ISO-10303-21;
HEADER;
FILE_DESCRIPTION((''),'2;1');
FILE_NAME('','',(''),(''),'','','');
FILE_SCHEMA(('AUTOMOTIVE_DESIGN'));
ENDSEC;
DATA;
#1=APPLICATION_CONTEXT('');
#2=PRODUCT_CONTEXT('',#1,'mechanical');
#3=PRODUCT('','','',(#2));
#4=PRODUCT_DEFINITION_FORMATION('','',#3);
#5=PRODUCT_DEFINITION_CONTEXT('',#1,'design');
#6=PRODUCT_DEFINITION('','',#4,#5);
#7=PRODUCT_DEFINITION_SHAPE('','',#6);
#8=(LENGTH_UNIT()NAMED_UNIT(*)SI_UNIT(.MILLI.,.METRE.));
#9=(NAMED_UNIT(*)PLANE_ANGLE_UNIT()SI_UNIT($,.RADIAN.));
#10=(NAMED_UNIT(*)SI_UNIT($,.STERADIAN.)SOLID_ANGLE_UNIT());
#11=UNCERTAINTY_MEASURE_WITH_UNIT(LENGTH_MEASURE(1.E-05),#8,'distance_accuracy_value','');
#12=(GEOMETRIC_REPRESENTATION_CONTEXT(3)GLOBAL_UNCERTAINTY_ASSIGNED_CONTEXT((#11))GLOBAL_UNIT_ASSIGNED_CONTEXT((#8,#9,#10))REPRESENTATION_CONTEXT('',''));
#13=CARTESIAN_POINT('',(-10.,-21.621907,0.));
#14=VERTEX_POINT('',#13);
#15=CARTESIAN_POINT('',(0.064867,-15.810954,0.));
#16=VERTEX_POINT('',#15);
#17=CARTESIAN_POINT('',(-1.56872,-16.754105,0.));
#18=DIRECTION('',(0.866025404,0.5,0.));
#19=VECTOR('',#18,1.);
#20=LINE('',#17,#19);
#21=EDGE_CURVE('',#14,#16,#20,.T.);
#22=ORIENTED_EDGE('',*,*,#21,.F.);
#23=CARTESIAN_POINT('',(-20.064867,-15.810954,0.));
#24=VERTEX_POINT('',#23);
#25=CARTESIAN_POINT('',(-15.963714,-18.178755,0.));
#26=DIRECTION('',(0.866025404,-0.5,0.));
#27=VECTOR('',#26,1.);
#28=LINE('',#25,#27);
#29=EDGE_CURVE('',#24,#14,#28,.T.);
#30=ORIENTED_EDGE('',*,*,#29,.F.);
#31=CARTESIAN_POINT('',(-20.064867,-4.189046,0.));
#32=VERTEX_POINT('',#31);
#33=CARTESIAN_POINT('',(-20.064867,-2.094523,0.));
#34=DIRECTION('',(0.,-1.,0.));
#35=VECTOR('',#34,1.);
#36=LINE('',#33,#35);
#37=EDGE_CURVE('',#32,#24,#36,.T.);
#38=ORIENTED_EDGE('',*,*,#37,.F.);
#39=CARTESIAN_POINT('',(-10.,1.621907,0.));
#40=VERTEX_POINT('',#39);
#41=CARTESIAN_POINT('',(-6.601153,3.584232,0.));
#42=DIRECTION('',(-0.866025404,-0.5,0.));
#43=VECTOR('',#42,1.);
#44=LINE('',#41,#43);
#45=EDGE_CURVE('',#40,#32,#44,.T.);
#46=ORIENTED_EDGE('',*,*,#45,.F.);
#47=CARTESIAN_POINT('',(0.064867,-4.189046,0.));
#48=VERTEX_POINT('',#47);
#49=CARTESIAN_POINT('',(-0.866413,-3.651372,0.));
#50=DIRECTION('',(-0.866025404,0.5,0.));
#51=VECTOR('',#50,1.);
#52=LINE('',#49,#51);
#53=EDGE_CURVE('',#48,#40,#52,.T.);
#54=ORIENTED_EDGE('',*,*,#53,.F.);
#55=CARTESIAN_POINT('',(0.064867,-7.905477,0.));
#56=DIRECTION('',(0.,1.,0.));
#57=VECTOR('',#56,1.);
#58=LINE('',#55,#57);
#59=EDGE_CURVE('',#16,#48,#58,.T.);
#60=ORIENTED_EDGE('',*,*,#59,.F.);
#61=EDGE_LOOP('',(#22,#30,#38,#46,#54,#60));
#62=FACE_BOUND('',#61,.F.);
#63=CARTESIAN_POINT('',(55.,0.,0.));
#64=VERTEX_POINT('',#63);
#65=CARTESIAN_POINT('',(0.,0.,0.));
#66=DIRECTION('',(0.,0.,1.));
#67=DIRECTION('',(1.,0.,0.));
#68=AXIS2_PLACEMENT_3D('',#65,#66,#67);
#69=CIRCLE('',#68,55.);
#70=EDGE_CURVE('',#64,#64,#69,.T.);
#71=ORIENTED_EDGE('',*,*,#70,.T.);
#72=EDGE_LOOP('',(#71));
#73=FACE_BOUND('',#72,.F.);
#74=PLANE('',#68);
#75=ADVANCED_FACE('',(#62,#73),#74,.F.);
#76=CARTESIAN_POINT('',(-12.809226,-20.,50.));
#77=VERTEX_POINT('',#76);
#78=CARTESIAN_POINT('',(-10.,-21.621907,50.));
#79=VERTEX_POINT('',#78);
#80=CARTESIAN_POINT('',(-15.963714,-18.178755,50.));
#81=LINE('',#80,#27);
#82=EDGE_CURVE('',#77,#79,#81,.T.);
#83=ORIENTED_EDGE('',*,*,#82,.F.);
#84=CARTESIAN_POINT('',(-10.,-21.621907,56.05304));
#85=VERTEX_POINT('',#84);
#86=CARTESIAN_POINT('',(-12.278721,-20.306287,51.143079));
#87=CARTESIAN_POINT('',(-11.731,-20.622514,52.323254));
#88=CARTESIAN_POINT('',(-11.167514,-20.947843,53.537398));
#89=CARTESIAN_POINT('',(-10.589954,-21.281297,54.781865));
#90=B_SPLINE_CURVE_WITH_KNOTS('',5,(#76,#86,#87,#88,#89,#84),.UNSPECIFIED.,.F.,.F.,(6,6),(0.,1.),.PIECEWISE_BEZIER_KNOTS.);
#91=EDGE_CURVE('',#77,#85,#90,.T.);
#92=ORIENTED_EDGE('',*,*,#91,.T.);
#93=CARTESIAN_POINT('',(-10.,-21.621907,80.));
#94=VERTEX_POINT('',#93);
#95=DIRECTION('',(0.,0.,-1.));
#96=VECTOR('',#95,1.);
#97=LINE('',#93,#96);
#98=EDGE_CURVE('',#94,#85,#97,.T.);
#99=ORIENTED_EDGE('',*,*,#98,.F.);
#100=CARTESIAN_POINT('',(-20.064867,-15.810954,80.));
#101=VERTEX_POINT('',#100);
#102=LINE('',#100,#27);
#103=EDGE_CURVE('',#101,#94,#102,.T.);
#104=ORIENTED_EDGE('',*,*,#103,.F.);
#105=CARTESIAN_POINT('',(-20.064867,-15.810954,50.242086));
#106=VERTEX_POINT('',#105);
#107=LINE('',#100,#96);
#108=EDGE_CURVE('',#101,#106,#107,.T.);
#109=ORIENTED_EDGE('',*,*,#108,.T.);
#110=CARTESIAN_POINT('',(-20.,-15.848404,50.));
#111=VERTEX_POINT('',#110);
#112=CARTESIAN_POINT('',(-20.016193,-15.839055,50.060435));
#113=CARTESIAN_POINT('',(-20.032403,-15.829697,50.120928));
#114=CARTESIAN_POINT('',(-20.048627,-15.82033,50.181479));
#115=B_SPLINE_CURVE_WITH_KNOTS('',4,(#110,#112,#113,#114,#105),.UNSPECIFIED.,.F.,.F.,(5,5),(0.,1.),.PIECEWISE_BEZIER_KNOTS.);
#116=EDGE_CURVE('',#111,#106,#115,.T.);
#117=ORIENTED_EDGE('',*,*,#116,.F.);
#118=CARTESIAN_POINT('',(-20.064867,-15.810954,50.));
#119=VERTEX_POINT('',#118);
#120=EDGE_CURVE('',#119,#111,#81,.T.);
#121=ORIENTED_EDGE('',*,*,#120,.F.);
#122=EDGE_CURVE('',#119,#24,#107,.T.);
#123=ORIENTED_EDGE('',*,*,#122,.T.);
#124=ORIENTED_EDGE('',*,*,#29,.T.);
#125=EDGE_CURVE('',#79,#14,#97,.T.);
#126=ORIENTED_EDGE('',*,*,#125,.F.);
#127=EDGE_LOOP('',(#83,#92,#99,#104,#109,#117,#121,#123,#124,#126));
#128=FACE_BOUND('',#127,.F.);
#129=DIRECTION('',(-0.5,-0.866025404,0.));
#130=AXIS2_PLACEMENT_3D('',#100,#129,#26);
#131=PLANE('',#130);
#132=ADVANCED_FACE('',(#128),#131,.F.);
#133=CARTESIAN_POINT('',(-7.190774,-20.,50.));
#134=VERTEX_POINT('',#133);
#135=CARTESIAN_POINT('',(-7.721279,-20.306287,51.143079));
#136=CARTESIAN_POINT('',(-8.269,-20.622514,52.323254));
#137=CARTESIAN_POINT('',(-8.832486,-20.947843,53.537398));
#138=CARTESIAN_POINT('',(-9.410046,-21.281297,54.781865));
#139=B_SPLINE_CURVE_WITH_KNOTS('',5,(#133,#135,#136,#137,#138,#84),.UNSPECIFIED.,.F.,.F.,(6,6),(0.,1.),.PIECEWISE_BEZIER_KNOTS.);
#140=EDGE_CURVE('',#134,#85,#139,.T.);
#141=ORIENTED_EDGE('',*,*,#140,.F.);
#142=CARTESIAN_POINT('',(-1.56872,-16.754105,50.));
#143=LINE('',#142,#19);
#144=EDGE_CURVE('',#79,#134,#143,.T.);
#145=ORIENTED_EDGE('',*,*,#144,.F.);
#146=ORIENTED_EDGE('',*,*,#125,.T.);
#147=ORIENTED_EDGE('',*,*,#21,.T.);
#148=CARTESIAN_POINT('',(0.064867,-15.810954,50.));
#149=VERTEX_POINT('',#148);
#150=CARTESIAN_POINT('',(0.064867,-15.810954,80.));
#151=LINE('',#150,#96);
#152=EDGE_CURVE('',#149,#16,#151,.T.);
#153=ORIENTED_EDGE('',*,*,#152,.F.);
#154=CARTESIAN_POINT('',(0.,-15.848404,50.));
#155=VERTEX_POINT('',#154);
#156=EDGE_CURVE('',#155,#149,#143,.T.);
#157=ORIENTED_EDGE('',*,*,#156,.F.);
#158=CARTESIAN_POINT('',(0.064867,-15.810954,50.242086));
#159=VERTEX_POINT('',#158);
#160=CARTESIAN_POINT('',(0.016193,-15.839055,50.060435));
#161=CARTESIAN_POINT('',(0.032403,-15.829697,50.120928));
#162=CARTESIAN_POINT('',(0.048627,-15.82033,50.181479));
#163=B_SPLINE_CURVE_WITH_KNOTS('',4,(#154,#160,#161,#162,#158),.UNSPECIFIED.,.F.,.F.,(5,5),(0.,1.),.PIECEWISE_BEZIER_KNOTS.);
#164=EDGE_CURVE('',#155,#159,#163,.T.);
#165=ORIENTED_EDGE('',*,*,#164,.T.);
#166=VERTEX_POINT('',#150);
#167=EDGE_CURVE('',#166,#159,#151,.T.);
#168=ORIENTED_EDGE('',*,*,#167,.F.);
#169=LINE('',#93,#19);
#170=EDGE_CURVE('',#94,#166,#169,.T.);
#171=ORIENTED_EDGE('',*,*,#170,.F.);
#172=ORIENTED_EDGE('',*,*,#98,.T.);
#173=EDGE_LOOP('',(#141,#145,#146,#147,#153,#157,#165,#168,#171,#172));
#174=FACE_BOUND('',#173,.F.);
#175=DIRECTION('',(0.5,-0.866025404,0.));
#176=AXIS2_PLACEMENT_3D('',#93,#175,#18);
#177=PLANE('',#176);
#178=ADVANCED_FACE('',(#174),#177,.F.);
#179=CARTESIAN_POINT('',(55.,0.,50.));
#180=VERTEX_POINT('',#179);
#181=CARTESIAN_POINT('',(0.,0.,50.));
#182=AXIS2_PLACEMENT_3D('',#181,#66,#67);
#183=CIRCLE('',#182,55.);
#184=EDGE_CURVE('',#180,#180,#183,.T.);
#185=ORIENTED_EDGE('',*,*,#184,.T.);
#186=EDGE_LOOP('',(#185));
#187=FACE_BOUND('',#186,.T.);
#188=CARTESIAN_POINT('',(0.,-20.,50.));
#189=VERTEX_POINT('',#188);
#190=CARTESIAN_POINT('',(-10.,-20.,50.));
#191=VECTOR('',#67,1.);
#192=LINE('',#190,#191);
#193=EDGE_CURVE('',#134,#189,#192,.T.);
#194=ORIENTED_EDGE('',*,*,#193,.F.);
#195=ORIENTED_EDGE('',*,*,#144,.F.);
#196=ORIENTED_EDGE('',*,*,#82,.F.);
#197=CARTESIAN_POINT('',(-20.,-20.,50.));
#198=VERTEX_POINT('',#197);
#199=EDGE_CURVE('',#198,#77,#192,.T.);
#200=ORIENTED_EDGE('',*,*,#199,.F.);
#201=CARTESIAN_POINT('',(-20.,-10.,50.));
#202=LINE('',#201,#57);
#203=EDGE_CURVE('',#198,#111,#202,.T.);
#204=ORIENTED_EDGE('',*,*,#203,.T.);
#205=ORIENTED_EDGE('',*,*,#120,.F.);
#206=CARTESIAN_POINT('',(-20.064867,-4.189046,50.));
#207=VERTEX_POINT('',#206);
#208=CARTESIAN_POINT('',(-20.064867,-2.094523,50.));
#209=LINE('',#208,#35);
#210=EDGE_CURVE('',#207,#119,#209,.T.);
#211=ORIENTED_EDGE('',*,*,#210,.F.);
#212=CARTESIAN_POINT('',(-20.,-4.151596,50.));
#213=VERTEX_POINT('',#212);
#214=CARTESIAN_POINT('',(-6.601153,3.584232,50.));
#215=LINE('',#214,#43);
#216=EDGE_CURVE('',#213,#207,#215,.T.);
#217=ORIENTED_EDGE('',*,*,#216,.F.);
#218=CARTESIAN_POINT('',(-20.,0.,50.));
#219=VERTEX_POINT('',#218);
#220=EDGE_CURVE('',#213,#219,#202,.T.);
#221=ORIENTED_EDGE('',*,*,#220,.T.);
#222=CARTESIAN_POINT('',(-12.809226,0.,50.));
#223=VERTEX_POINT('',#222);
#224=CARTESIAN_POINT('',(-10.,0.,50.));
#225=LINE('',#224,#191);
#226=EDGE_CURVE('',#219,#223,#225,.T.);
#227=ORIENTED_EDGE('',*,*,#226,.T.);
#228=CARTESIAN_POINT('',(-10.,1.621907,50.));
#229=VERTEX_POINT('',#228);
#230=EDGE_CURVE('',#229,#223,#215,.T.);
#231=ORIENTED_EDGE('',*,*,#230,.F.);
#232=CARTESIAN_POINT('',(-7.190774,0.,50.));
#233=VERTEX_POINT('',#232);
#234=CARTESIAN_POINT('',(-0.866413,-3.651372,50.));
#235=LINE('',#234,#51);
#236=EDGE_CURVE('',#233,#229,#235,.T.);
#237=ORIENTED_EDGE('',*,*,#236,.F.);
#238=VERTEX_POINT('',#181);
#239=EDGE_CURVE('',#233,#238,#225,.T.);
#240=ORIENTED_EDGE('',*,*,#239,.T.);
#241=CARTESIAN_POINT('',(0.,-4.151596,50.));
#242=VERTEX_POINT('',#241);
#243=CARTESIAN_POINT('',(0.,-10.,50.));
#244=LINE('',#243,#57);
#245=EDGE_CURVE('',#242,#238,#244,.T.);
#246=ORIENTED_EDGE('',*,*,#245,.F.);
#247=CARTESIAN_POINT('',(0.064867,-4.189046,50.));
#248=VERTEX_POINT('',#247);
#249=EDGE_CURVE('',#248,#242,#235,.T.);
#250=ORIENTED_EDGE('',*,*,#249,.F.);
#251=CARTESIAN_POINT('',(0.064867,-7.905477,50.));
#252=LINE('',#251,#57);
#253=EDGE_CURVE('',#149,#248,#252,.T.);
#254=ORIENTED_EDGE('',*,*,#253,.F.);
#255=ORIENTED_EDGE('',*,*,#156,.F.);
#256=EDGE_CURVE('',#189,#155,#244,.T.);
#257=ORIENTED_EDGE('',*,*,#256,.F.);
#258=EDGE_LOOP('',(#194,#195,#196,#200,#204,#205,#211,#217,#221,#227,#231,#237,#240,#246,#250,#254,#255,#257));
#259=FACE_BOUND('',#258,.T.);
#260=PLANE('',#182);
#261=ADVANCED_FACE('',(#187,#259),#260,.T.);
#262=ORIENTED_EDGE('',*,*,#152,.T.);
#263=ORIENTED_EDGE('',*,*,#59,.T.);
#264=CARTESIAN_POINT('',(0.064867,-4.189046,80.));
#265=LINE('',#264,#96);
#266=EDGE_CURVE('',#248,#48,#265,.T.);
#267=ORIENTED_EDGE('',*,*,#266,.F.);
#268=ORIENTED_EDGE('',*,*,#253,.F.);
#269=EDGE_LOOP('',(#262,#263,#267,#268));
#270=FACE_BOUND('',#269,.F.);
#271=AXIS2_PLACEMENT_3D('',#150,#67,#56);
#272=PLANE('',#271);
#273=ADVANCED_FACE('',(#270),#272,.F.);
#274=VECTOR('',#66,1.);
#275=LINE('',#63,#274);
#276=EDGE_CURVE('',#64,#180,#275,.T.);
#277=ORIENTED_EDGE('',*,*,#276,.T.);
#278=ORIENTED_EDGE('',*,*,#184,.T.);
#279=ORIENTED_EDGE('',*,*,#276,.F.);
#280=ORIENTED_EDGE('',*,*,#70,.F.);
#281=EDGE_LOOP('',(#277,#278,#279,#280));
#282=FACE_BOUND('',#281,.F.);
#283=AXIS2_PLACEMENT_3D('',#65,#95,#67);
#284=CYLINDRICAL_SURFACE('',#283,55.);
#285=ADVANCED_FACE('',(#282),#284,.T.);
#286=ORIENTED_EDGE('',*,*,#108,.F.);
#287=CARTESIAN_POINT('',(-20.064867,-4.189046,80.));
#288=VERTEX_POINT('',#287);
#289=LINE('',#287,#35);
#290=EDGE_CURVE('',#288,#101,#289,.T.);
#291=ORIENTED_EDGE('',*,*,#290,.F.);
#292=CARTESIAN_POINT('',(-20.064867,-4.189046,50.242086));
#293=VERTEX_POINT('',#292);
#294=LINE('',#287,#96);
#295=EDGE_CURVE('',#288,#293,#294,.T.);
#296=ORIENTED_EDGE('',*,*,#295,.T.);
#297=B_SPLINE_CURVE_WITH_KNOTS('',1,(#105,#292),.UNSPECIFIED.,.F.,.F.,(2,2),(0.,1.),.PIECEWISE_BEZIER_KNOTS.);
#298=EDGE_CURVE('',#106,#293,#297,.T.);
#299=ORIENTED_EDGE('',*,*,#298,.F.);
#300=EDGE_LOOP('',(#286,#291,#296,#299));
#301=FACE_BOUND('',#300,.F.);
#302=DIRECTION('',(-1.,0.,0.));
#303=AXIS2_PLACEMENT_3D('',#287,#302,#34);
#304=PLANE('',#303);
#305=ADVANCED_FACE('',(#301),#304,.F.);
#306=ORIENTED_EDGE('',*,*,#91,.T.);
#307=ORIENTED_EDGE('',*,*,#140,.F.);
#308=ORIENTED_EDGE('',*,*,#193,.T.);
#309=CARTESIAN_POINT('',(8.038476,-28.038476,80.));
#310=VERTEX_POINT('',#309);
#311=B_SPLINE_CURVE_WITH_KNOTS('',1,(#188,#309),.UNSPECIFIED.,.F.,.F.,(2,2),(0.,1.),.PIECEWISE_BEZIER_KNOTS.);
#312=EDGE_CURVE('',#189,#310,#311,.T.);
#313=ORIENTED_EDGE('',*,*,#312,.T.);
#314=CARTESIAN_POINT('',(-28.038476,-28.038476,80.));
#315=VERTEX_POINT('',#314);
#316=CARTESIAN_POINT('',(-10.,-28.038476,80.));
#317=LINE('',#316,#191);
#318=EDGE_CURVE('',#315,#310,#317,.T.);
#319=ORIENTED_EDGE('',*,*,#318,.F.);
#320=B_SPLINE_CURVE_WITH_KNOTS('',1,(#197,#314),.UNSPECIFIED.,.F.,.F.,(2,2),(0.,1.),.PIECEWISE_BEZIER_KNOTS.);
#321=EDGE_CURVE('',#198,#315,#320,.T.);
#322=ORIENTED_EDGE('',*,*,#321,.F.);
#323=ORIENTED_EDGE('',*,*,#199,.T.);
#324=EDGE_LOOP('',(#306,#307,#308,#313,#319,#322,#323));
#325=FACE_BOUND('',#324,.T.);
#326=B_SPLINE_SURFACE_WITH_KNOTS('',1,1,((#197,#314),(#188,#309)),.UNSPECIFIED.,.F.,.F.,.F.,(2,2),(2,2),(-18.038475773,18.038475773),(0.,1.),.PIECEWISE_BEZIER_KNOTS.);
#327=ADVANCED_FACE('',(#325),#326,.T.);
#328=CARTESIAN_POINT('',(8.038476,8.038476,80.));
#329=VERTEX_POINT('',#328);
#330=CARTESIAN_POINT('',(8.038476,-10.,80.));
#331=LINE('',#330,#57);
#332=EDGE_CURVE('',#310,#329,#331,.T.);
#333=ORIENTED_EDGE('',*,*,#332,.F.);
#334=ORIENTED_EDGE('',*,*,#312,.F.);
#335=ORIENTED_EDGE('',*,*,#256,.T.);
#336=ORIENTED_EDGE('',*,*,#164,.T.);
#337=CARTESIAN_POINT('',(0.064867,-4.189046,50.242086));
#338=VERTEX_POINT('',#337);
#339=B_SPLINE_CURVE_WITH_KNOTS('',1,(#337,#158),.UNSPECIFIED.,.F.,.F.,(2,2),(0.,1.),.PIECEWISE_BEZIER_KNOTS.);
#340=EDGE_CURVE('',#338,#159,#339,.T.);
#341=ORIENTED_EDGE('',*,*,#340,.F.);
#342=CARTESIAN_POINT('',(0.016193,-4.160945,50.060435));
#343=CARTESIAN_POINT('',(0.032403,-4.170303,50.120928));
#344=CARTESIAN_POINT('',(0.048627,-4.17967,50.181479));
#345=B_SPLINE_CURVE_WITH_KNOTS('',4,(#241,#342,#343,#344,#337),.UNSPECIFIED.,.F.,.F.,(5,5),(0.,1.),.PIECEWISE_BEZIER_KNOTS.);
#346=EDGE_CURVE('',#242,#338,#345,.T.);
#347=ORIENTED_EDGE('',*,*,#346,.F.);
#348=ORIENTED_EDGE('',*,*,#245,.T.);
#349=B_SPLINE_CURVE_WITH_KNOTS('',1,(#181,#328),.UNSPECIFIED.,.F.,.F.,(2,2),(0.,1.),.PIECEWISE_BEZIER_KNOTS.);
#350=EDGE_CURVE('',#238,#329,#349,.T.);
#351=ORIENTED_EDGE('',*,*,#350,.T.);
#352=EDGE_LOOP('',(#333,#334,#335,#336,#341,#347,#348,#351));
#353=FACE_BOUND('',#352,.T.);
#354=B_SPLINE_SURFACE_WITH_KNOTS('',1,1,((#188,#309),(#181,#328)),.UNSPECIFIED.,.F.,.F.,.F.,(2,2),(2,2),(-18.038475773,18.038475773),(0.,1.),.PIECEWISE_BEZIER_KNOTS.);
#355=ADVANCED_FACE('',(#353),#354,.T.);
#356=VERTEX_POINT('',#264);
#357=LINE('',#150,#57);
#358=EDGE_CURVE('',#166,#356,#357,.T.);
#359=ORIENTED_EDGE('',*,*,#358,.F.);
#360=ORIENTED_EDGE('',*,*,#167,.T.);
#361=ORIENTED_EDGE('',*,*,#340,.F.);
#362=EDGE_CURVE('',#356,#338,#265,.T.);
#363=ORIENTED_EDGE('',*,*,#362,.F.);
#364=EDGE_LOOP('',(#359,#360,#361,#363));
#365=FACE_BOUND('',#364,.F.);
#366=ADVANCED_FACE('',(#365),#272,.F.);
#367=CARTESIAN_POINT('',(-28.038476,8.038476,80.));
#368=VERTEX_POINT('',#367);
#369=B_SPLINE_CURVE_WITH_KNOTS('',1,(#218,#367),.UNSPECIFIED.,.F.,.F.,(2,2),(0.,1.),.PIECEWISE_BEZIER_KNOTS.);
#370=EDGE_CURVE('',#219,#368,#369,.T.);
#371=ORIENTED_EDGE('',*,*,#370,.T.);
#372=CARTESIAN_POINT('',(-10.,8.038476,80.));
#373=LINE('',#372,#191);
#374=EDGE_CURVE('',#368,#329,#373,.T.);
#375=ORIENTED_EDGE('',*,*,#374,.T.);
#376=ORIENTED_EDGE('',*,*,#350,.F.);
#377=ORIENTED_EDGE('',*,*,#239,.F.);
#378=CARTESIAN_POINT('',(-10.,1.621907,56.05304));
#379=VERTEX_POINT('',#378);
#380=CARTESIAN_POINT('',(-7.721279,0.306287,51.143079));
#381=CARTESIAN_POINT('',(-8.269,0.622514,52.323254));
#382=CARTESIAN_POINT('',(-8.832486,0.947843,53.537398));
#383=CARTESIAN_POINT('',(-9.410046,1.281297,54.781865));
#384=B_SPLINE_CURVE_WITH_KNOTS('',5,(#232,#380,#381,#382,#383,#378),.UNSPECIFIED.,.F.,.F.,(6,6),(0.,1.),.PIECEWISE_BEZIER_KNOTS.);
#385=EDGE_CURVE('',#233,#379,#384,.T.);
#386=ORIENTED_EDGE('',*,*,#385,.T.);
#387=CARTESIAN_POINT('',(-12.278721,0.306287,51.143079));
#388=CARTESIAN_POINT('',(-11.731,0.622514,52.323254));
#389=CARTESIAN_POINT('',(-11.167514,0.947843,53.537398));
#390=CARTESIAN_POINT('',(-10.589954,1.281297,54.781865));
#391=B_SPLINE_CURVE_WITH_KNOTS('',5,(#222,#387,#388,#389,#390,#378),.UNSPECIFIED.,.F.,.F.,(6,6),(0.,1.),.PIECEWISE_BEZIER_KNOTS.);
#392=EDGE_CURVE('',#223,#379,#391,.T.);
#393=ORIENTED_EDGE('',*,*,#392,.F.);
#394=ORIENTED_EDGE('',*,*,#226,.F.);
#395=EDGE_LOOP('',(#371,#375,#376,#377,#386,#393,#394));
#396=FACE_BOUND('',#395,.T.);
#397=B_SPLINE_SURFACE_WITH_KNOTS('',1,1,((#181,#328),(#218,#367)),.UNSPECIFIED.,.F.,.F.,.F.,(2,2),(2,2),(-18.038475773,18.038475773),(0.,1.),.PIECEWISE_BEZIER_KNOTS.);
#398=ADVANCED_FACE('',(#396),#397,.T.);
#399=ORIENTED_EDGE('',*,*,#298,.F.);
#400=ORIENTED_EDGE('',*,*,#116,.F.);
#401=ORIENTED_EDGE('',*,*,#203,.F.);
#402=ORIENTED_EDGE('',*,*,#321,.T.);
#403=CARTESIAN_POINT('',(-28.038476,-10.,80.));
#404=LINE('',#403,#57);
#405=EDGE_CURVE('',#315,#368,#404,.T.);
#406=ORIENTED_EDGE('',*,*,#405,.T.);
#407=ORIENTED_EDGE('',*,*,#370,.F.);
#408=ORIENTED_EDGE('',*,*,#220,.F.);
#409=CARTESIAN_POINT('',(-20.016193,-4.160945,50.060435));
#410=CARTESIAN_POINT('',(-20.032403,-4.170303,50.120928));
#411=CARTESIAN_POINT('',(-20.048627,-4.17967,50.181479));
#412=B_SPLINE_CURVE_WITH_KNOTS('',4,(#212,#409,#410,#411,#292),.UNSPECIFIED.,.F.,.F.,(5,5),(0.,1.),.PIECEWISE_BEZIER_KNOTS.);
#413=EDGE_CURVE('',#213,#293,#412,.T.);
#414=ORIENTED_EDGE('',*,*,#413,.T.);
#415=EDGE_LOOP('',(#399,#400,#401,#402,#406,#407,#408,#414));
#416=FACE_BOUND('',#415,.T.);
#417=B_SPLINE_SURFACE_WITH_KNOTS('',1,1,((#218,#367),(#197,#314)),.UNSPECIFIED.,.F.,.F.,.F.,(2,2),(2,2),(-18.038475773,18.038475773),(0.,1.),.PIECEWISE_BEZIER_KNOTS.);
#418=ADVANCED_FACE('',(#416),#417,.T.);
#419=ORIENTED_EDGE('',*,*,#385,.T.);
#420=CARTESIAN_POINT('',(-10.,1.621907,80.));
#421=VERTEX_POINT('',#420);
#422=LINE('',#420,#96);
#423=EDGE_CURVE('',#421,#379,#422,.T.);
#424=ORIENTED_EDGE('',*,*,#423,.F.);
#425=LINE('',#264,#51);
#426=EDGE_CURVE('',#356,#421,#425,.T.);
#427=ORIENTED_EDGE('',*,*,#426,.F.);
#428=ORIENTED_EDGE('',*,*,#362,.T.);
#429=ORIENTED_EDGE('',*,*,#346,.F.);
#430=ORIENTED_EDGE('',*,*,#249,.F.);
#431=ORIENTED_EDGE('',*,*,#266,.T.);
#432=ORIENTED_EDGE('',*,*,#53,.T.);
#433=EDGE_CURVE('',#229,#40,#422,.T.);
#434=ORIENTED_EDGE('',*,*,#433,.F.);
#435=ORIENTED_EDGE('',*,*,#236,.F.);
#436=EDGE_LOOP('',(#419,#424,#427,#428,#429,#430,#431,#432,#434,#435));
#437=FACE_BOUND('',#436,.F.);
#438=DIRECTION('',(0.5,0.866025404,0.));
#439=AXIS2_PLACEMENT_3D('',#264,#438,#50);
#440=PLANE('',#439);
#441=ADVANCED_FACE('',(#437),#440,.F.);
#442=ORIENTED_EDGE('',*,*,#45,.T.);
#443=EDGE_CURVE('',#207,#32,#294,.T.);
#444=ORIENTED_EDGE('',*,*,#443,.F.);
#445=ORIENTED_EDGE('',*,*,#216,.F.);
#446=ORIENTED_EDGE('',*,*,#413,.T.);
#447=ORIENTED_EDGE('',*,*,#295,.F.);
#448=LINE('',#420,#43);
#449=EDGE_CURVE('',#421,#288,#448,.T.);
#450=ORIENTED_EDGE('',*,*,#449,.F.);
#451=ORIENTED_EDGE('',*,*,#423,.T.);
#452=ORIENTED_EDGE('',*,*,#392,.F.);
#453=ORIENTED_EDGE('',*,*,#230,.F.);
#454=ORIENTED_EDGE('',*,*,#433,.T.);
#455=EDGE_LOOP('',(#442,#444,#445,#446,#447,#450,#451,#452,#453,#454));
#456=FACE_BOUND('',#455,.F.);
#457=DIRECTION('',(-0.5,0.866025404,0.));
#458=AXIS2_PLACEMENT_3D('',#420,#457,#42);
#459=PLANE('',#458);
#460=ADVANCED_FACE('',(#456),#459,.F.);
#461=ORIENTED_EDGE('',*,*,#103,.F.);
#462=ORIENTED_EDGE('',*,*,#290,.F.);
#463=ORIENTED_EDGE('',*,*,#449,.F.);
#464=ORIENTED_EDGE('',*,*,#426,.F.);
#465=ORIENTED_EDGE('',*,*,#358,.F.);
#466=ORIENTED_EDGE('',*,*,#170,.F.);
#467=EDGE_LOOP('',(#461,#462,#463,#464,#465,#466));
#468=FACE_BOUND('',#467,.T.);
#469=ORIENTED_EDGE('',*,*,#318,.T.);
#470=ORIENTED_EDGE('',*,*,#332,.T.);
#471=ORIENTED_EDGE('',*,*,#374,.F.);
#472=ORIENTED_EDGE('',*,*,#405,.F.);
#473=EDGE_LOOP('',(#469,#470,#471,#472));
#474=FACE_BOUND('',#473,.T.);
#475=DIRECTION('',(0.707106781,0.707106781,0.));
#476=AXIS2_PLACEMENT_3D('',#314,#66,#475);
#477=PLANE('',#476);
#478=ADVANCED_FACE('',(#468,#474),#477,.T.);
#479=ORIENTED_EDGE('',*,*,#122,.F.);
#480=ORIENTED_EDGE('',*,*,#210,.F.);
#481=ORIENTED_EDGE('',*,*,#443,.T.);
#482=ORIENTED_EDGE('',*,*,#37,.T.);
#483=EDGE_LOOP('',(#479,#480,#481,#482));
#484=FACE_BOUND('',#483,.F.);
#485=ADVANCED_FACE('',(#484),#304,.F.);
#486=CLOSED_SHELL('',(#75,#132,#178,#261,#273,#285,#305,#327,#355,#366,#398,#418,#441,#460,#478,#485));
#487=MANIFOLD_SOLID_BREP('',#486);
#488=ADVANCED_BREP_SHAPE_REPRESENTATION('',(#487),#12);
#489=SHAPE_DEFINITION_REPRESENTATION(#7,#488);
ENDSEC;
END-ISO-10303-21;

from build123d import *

# Parameters (mm, degrees)
F0_R     = 55
F1_DEPTH = 50
F2_W     = 20
F2_H     = 20
F3_DEPTH = 30
F3_TAPER = -15
F5_DEPTH = 100


with BuildPart() as f1:
    # F0 (on Top) → F1 (new body)
    with BuildSketch(Plane.XY):
        Circle(F0_R)
    extrude(amount=F1_DEPTH)

    # F2 (on face) → F3 (join)
    with BuildSketch(Plane.XY.offset(50)):
        with Locations((-10, -10)):
            Rectangle(F2_W, F2_H)
    extrude(amount=F3_DEPTH, taper=F3_TAPER)

    # F4 (on face) → F5 (cut)
    with BuildSketch(Plane.XY.offset(80)):
        Polygon((0.0648668621, -4.1890464078), (-10, 1.6219071844), (-20.0648668621, -4.1890464078), (-20.0648668621, -15.8109535922), (-10, -21.6219071844), (0.0648668621, -15.8109535922), align=None)
    extrude(amount=-F5_DEPTH, mode=Mode.SUBTRACT)


solid = f1.part
